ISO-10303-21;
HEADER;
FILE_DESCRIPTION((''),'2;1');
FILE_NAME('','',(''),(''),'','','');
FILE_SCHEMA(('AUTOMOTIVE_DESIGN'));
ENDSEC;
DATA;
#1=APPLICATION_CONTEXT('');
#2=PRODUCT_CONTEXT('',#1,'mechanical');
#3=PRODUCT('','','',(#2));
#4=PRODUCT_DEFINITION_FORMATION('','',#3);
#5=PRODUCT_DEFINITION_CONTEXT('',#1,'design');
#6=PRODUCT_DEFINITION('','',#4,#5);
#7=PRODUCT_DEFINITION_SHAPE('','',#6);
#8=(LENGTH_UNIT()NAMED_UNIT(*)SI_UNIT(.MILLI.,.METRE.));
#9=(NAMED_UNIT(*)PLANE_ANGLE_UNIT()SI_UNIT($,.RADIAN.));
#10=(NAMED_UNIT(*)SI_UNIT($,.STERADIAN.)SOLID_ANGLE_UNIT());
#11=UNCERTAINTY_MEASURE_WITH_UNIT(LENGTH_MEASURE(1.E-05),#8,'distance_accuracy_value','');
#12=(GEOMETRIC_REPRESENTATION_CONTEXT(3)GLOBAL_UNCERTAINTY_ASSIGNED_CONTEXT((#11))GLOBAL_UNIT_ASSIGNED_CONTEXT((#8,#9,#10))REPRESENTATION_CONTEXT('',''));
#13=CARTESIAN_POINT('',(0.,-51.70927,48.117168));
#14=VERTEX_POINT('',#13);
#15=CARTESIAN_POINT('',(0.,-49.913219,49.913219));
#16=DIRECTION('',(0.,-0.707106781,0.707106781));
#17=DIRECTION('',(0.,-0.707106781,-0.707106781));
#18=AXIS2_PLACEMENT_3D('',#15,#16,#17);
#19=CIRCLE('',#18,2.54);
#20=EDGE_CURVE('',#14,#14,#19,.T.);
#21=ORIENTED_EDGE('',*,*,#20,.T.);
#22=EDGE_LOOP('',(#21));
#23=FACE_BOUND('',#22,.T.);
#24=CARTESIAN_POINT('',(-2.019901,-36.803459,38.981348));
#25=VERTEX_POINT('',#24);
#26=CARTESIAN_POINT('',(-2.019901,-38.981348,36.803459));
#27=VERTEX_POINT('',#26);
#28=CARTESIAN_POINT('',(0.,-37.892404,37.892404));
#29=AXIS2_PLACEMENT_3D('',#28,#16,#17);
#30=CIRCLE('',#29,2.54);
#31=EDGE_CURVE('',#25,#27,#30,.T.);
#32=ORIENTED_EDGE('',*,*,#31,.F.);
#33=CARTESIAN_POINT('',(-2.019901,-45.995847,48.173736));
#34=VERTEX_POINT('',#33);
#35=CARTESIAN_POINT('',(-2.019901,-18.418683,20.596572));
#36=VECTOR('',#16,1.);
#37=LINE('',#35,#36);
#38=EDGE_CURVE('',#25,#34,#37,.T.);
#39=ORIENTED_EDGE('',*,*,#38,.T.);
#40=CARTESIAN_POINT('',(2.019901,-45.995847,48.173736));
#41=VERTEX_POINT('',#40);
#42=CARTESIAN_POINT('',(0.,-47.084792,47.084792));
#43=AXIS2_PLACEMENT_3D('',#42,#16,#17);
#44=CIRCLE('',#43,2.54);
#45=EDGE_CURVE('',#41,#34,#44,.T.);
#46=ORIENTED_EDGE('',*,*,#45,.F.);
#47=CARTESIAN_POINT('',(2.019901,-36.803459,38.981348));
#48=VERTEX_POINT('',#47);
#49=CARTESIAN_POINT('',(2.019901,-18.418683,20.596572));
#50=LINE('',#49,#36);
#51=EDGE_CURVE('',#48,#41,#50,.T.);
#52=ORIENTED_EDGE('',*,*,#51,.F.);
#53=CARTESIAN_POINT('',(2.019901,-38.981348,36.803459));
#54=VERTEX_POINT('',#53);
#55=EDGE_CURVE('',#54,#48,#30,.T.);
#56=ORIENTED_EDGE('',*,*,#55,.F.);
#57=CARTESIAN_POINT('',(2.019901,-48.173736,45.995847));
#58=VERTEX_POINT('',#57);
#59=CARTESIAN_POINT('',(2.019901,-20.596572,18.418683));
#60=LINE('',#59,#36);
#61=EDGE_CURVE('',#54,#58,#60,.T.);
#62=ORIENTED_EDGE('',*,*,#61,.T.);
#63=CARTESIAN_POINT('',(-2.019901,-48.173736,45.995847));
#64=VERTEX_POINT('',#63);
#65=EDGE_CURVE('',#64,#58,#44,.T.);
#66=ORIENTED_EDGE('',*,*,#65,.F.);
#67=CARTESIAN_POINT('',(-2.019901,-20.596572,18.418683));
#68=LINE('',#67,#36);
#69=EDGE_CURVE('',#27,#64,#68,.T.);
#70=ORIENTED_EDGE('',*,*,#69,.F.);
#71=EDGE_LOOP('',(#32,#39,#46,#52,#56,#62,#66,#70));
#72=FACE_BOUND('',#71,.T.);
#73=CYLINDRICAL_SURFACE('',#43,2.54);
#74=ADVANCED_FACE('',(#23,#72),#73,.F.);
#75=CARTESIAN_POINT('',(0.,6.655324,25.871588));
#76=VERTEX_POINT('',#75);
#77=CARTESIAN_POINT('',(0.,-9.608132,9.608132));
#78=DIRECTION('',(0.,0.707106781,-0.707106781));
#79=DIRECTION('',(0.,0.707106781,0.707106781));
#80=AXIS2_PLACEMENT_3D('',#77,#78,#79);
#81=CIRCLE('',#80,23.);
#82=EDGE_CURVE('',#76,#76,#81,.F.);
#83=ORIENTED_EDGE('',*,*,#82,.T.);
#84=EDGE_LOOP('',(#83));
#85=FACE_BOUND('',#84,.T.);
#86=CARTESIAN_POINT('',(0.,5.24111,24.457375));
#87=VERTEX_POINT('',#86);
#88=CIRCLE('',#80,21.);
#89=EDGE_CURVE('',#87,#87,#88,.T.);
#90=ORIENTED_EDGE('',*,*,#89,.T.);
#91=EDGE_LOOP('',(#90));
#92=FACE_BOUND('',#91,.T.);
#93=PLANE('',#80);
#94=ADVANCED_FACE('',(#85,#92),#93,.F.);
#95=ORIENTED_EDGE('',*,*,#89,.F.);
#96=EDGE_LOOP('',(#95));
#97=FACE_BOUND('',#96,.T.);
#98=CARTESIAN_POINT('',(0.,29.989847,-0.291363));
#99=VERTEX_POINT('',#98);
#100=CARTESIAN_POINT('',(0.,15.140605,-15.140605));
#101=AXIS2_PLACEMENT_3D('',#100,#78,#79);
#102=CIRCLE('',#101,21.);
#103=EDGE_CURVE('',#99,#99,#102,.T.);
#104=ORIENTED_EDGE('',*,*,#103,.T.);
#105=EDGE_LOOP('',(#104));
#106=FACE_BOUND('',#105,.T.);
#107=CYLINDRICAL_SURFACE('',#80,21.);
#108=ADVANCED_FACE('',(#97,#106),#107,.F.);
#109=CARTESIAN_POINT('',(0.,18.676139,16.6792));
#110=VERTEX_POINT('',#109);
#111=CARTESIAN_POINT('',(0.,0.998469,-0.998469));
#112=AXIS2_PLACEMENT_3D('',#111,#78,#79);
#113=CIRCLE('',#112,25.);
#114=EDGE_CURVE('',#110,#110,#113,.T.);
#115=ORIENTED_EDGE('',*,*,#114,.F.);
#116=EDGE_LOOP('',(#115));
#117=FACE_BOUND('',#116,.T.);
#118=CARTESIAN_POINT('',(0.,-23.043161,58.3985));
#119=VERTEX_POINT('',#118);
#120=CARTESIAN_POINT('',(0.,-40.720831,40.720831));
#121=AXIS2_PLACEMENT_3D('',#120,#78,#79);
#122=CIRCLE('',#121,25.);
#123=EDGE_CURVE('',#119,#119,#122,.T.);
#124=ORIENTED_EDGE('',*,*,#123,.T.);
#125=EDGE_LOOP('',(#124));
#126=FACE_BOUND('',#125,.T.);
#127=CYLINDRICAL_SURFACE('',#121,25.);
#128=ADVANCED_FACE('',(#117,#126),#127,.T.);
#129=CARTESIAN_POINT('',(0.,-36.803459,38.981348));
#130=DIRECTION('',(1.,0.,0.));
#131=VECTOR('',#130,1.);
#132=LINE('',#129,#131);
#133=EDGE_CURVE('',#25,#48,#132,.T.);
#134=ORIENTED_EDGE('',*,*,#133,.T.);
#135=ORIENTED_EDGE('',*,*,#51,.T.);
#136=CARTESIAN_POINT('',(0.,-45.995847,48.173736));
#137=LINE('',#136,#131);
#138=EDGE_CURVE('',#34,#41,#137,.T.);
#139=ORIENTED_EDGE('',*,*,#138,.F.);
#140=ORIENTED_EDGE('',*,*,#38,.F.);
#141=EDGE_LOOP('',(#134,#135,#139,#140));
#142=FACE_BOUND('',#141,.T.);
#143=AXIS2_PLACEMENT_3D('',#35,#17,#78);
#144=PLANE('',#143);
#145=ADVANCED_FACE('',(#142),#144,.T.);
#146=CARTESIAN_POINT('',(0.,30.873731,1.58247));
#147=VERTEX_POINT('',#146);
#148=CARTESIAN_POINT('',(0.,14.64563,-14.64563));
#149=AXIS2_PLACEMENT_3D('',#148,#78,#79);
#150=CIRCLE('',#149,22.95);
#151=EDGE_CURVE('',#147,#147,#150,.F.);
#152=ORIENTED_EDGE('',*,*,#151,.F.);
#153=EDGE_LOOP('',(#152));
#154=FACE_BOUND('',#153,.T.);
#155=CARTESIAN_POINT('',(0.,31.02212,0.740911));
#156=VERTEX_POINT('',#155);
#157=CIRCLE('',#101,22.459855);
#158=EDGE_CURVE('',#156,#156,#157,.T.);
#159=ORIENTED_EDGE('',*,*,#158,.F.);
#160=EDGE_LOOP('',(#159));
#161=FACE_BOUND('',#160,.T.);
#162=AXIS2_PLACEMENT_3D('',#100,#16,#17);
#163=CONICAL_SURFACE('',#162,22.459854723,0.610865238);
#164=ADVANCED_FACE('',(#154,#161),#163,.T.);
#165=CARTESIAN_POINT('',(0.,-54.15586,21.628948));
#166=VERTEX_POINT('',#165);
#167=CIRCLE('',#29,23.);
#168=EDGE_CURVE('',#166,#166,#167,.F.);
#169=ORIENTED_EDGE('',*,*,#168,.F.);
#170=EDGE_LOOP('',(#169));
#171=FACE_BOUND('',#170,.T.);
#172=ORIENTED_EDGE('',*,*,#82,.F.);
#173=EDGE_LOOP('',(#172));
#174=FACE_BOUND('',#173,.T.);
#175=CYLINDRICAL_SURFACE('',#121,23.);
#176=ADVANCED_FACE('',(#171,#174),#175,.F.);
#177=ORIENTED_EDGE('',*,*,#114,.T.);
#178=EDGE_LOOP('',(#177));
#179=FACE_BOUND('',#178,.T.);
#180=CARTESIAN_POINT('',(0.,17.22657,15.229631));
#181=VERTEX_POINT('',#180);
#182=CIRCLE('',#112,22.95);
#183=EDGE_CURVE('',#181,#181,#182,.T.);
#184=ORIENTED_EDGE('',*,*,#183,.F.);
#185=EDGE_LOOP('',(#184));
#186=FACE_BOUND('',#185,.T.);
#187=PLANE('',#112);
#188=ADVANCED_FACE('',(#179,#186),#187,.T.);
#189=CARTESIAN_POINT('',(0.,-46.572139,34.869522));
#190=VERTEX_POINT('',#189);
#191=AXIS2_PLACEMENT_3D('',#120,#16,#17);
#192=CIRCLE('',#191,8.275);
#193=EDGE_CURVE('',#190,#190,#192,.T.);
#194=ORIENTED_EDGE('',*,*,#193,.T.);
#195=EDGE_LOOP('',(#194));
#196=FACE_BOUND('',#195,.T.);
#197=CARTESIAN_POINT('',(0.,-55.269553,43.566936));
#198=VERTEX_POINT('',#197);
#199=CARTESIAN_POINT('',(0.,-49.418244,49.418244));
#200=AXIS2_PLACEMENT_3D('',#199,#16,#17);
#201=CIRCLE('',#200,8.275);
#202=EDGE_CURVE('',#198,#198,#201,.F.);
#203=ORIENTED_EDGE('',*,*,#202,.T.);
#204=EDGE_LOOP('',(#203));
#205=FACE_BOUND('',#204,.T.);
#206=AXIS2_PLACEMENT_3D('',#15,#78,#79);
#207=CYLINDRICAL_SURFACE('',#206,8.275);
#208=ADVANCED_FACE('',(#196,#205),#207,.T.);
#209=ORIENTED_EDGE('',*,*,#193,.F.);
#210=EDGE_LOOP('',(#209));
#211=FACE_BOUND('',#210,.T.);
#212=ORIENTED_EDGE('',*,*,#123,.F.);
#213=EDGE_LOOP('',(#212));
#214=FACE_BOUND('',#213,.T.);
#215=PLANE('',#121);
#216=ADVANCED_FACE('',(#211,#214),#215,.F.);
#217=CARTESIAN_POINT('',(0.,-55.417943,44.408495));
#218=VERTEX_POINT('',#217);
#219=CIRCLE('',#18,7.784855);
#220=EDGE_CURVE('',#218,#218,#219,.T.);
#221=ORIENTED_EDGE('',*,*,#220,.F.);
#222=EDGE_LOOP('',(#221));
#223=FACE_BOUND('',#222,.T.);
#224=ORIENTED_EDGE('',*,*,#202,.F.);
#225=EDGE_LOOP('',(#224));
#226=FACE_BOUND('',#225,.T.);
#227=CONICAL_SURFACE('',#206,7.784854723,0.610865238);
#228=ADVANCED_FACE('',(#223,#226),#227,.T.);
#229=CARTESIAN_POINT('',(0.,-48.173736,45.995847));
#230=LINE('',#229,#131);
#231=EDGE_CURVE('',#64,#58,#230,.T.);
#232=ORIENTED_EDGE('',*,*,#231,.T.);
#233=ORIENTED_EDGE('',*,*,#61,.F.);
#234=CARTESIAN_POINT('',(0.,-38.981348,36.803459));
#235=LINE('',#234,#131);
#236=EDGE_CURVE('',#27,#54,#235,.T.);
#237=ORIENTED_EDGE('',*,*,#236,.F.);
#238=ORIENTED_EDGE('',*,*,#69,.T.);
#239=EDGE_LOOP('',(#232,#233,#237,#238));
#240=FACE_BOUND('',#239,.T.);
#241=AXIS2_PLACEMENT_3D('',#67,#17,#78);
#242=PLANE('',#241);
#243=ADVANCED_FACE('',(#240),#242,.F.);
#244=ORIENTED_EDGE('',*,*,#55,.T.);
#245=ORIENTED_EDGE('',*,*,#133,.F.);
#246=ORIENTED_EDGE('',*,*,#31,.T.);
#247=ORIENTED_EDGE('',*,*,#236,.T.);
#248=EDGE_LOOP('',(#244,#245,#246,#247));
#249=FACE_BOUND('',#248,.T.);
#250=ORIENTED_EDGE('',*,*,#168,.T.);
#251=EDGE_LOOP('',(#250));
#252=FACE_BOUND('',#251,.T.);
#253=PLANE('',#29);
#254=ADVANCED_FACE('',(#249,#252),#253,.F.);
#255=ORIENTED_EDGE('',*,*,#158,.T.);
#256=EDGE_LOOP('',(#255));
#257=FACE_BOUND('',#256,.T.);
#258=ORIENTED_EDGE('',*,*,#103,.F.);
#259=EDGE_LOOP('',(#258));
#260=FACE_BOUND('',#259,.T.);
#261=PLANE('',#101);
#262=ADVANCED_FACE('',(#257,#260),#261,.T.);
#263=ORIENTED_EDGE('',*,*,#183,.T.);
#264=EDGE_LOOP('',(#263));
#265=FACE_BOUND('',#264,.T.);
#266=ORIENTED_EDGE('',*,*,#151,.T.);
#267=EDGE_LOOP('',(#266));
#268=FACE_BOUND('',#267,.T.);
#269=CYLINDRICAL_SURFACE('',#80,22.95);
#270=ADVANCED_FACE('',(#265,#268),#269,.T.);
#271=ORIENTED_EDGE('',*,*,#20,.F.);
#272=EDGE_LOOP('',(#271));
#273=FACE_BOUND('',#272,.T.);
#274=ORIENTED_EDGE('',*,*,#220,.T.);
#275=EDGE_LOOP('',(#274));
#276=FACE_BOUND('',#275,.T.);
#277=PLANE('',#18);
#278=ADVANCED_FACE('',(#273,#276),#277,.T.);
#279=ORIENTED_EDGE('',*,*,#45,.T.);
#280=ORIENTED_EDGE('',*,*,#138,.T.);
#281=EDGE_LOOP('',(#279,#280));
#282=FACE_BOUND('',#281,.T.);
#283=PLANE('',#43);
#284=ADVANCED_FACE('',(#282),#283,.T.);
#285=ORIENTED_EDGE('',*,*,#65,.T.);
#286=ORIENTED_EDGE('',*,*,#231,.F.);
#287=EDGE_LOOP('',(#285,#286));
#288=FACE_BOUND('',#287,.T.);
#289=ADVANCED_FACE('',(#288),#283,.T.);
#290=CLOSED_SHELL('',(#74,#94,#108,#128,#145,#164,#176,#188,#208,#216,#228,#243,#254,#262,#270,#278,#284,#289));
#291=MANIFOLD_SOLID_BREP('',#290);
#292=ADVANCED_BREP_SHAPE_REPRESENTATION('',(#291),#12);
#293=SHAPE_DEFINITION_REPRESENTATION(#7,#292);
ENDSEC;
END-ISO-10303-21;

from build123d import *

# Parameters (mm, degrees)
BOSS_EXTRUDE7_DEPTH       = 9
BOSS_EXTRUDE7_DEPTH_BACK  = 50
SKETCH4_R                 = 25
SKETCH4_R_2               = 23
SKETCH20_R                = 8.275
BOSS_EXTRUDE16_DEPTH      = 13
SKETCH24_R                = 2.54
CUT_EXTRUDE10_DEPTH       = 4
SKETCH20_17_R             = 25
BOSS_EXTRUDE17_DEPTH      = 4
CUT_EXTRUDE9_DEPTH        = 30
CUT_EXTRUDE9_DEPTH_BACK   = 30
BOSS_EXTRUDE18_DEPTH      = 20
BOSS_EXTRUDE18_DEPTH_BACK = 15
SKETCH26_R                = 22.95
SKETCH26_R_2              = 21
BOSS_EXTRUDE19_START      = -15
SKETCH27_R                = 25
SKETCH27_R_2              = 21
BOSS_EXTRUDE19_DEPTH      = 15
CHAMFER1_SIZE             = 0.7
CHAMFER1_SIZE2            = 0.490145277
CHAMFER2_SIZE             = 0.7
CHAMFER2_SIZE2            = 0.490145277


with BuildPart() as part:
    # Sketch4 → Boss-Extrude7 (new, two sides: drawn at the far end of the back side and taken through both)
    with BuildSketch(Plane(origin=(0, -5.365491749, 5.365491749), x_dir=(-1, 0, 0), z_dir=(0, 0.7071067811865458, -0.7071067811865492)).offset(-BOSS_EXTRUDE7_DEPTH_BACK)):
        with Locations(Location((0, 0, 0), (0, 0, 90))):
            Circle(SKETCH4_R)
        with Locations(Location((0, 0, 0), (0, 0, 90))):
            Circle(SKETCH4_R_2, mode=Mode.SUBTRACT)
    extrude(amount=BOSS_EXTRUDE7_DEPTH + BOSS_EXTRUDE7_DEPTH_BACK)



with BuildPart() as body_2:
    # Sketch20 → Boss-Extrude16 (new body)
    with BuildSketch(Plane(origin=(0, -40.720830808, 40.720830808), x_dir=(1, 0, 0), z_dir=(0, -0.7071067811865457, 0.7071067811865495))):
        with Locations(Location((0, 0, 0), (0, 0, 270))):
            Circle(SKETCH20_R)
    extrude(amount=BOSS_EXTRUDE16_DEPTH)

    # Sketch24 → Cut-Extrude10 (cut)
    with BuildSketch(Plane(origin=(0, -49.913218964, 49.913218964), x_dir=(1, 0, 0), z_dir=(0, -0.7071067811865457, 0.7071067811865493))):
        with Locations(Location((0, 0, 0), (0, 0, 270))):
            Circle(SKETCH24_R)
    extrude(amount=-CUT_EXTRUDE10_DEPTH, mode=Mode.SUBTRACT)


with BuildPart() as part_1:
    add(part.part)

    add(body_2.part)  # Boss-Extrude17 merges body 2
    # Sketch20<17> → Boss-Extrude17 (add)
    with BuildSketch(Plane(origin=(0, -40.720830808, 40.720830808), x_dir=(1, 0, 0), z_dir=(0, -0.7071067811865457, 0.7071067811865495))):
        with Locations(Location((0, 0, 0), (0, 0, 90))):
            Circle(SKETCH20_17_R)
    extrude(amount=-BOSS_EXTRUDE17_DEPTH)

    # Sketch20<15> → Cut-Extrude9 (cut, two sides: drawn at the far end of the back side and taken through both)
    with BuildSketch(Plane(origin=(0, -40.720830808, 40.720830808), x_dir=(1, 0, 0), z_dir=(0, -0.7071067811865457, 0.7071067811865495)).offset(-CUT_EXTRUDE9_DEPTH_BACK)):
        with BuildLine():
            Line((-2.019900988, 1.54), (2.019900988, 1.54))
            ThreePointArc((2.019900988, 1.54), (2.54, 0), (2.019900988, -1.54))
            Line((2.019900988, -1.54), (-2.019900988, -1.54))
            ThreePointArc((-2.019900988, -1.54), (-2.54, 0), (-2.019900988, 1.54))
        make_face()
    extrude(amount=CUT_EXTRUDE9_DEPTH + CUT_EXTRUDE9_DEPTH_BACK, mode=Mode.SUBTRACT)



with BuildPart() as body_2_2:
    # Sketch26 → Boss-Extrude18 (new, two sides: drawn at the far end of the back side and taken through both)
    with BuildSketch(Plane(origin=(0, 0.998469282, -0.998469282), x_dir=(1, 0, 0), z_dir=(0, 0.7071067811865458, -0.7071067811865492)).offset(-BOSS_EXTRUDE18_DEPTH_BACK)):
        with Locations(Location((0, 0, 0), (0, 0, 270))):
            Circle(SKETCH26_R)
        with Locations(Location((0, 0, 0), (0, 0, 270))):
            Circle(SKETCH26_R_2, mode=Mode.SUBTRACT)
    extrude(amount=BOSS_EXTRUDE18_DEPTH + BOSS_EXTRUDE18_DEPTH_BACK)


with BuildPart() as part_2:
    add(part_1.part)

    add(body_2_2.part)  # Boss-Extrude19 merges body 2 2
    # Sketch27 → Boss-Extrude19 (add)
    with BuildSketch(Plane(origin=(0, 0.998469282, -0.998469282), x_dir=(1, 0, 0), z_dir=(0, 0.7071067811865458, -0.7071067811865492)).offset(BOSS_EXTRUDE19_START)):
        with Locations(Location((0, 0, 0), (0, 0, 270))):
            Circle(SKETCH27_R)
        with Locations(Location((0, 0, 0), (0, 0, 270))):
            Circle(SKETCH27_R_2, mode=Mode.SUBTRACT)
    extrude(amount=BOSS_EXTRUDE19_DEPTH)

    # Chamfer1
    chamfer1_edges = [part_2.edges().sort_by_distance(p)[0] for p in [
        (0, -1.087495723, -31.368705534),
    ]]
    chamfer1_side = [part_2.faces().sort_by_distance(p)[0] for p in [
        (0, -8.158563535, -24.297637722),
    ]]
    chamfer(chamfer1_edges, length=CHAMFER1_SIZE, length2=CHAMFER1_SIZE2, reference=chamfer1_side[0])

    # Chamfer2
    chamfer2_edges = [part_2.edges().sort_by_distance(p)[0] for p in [
        (0, -44.06191035, 55.764527578),
    ]]
    chamfer2_side = [part_2.faces().sort_by_distance(p)[0] for p in [
        (0, -39.465716272, 51.1683335),
    ]]
    chamfer(chamfer2_edges, length=CHAMFER2_SIZE, length2=CHAMFER2_SIZE2, reference=chamfer2_side[0])


solid = part_2.part
